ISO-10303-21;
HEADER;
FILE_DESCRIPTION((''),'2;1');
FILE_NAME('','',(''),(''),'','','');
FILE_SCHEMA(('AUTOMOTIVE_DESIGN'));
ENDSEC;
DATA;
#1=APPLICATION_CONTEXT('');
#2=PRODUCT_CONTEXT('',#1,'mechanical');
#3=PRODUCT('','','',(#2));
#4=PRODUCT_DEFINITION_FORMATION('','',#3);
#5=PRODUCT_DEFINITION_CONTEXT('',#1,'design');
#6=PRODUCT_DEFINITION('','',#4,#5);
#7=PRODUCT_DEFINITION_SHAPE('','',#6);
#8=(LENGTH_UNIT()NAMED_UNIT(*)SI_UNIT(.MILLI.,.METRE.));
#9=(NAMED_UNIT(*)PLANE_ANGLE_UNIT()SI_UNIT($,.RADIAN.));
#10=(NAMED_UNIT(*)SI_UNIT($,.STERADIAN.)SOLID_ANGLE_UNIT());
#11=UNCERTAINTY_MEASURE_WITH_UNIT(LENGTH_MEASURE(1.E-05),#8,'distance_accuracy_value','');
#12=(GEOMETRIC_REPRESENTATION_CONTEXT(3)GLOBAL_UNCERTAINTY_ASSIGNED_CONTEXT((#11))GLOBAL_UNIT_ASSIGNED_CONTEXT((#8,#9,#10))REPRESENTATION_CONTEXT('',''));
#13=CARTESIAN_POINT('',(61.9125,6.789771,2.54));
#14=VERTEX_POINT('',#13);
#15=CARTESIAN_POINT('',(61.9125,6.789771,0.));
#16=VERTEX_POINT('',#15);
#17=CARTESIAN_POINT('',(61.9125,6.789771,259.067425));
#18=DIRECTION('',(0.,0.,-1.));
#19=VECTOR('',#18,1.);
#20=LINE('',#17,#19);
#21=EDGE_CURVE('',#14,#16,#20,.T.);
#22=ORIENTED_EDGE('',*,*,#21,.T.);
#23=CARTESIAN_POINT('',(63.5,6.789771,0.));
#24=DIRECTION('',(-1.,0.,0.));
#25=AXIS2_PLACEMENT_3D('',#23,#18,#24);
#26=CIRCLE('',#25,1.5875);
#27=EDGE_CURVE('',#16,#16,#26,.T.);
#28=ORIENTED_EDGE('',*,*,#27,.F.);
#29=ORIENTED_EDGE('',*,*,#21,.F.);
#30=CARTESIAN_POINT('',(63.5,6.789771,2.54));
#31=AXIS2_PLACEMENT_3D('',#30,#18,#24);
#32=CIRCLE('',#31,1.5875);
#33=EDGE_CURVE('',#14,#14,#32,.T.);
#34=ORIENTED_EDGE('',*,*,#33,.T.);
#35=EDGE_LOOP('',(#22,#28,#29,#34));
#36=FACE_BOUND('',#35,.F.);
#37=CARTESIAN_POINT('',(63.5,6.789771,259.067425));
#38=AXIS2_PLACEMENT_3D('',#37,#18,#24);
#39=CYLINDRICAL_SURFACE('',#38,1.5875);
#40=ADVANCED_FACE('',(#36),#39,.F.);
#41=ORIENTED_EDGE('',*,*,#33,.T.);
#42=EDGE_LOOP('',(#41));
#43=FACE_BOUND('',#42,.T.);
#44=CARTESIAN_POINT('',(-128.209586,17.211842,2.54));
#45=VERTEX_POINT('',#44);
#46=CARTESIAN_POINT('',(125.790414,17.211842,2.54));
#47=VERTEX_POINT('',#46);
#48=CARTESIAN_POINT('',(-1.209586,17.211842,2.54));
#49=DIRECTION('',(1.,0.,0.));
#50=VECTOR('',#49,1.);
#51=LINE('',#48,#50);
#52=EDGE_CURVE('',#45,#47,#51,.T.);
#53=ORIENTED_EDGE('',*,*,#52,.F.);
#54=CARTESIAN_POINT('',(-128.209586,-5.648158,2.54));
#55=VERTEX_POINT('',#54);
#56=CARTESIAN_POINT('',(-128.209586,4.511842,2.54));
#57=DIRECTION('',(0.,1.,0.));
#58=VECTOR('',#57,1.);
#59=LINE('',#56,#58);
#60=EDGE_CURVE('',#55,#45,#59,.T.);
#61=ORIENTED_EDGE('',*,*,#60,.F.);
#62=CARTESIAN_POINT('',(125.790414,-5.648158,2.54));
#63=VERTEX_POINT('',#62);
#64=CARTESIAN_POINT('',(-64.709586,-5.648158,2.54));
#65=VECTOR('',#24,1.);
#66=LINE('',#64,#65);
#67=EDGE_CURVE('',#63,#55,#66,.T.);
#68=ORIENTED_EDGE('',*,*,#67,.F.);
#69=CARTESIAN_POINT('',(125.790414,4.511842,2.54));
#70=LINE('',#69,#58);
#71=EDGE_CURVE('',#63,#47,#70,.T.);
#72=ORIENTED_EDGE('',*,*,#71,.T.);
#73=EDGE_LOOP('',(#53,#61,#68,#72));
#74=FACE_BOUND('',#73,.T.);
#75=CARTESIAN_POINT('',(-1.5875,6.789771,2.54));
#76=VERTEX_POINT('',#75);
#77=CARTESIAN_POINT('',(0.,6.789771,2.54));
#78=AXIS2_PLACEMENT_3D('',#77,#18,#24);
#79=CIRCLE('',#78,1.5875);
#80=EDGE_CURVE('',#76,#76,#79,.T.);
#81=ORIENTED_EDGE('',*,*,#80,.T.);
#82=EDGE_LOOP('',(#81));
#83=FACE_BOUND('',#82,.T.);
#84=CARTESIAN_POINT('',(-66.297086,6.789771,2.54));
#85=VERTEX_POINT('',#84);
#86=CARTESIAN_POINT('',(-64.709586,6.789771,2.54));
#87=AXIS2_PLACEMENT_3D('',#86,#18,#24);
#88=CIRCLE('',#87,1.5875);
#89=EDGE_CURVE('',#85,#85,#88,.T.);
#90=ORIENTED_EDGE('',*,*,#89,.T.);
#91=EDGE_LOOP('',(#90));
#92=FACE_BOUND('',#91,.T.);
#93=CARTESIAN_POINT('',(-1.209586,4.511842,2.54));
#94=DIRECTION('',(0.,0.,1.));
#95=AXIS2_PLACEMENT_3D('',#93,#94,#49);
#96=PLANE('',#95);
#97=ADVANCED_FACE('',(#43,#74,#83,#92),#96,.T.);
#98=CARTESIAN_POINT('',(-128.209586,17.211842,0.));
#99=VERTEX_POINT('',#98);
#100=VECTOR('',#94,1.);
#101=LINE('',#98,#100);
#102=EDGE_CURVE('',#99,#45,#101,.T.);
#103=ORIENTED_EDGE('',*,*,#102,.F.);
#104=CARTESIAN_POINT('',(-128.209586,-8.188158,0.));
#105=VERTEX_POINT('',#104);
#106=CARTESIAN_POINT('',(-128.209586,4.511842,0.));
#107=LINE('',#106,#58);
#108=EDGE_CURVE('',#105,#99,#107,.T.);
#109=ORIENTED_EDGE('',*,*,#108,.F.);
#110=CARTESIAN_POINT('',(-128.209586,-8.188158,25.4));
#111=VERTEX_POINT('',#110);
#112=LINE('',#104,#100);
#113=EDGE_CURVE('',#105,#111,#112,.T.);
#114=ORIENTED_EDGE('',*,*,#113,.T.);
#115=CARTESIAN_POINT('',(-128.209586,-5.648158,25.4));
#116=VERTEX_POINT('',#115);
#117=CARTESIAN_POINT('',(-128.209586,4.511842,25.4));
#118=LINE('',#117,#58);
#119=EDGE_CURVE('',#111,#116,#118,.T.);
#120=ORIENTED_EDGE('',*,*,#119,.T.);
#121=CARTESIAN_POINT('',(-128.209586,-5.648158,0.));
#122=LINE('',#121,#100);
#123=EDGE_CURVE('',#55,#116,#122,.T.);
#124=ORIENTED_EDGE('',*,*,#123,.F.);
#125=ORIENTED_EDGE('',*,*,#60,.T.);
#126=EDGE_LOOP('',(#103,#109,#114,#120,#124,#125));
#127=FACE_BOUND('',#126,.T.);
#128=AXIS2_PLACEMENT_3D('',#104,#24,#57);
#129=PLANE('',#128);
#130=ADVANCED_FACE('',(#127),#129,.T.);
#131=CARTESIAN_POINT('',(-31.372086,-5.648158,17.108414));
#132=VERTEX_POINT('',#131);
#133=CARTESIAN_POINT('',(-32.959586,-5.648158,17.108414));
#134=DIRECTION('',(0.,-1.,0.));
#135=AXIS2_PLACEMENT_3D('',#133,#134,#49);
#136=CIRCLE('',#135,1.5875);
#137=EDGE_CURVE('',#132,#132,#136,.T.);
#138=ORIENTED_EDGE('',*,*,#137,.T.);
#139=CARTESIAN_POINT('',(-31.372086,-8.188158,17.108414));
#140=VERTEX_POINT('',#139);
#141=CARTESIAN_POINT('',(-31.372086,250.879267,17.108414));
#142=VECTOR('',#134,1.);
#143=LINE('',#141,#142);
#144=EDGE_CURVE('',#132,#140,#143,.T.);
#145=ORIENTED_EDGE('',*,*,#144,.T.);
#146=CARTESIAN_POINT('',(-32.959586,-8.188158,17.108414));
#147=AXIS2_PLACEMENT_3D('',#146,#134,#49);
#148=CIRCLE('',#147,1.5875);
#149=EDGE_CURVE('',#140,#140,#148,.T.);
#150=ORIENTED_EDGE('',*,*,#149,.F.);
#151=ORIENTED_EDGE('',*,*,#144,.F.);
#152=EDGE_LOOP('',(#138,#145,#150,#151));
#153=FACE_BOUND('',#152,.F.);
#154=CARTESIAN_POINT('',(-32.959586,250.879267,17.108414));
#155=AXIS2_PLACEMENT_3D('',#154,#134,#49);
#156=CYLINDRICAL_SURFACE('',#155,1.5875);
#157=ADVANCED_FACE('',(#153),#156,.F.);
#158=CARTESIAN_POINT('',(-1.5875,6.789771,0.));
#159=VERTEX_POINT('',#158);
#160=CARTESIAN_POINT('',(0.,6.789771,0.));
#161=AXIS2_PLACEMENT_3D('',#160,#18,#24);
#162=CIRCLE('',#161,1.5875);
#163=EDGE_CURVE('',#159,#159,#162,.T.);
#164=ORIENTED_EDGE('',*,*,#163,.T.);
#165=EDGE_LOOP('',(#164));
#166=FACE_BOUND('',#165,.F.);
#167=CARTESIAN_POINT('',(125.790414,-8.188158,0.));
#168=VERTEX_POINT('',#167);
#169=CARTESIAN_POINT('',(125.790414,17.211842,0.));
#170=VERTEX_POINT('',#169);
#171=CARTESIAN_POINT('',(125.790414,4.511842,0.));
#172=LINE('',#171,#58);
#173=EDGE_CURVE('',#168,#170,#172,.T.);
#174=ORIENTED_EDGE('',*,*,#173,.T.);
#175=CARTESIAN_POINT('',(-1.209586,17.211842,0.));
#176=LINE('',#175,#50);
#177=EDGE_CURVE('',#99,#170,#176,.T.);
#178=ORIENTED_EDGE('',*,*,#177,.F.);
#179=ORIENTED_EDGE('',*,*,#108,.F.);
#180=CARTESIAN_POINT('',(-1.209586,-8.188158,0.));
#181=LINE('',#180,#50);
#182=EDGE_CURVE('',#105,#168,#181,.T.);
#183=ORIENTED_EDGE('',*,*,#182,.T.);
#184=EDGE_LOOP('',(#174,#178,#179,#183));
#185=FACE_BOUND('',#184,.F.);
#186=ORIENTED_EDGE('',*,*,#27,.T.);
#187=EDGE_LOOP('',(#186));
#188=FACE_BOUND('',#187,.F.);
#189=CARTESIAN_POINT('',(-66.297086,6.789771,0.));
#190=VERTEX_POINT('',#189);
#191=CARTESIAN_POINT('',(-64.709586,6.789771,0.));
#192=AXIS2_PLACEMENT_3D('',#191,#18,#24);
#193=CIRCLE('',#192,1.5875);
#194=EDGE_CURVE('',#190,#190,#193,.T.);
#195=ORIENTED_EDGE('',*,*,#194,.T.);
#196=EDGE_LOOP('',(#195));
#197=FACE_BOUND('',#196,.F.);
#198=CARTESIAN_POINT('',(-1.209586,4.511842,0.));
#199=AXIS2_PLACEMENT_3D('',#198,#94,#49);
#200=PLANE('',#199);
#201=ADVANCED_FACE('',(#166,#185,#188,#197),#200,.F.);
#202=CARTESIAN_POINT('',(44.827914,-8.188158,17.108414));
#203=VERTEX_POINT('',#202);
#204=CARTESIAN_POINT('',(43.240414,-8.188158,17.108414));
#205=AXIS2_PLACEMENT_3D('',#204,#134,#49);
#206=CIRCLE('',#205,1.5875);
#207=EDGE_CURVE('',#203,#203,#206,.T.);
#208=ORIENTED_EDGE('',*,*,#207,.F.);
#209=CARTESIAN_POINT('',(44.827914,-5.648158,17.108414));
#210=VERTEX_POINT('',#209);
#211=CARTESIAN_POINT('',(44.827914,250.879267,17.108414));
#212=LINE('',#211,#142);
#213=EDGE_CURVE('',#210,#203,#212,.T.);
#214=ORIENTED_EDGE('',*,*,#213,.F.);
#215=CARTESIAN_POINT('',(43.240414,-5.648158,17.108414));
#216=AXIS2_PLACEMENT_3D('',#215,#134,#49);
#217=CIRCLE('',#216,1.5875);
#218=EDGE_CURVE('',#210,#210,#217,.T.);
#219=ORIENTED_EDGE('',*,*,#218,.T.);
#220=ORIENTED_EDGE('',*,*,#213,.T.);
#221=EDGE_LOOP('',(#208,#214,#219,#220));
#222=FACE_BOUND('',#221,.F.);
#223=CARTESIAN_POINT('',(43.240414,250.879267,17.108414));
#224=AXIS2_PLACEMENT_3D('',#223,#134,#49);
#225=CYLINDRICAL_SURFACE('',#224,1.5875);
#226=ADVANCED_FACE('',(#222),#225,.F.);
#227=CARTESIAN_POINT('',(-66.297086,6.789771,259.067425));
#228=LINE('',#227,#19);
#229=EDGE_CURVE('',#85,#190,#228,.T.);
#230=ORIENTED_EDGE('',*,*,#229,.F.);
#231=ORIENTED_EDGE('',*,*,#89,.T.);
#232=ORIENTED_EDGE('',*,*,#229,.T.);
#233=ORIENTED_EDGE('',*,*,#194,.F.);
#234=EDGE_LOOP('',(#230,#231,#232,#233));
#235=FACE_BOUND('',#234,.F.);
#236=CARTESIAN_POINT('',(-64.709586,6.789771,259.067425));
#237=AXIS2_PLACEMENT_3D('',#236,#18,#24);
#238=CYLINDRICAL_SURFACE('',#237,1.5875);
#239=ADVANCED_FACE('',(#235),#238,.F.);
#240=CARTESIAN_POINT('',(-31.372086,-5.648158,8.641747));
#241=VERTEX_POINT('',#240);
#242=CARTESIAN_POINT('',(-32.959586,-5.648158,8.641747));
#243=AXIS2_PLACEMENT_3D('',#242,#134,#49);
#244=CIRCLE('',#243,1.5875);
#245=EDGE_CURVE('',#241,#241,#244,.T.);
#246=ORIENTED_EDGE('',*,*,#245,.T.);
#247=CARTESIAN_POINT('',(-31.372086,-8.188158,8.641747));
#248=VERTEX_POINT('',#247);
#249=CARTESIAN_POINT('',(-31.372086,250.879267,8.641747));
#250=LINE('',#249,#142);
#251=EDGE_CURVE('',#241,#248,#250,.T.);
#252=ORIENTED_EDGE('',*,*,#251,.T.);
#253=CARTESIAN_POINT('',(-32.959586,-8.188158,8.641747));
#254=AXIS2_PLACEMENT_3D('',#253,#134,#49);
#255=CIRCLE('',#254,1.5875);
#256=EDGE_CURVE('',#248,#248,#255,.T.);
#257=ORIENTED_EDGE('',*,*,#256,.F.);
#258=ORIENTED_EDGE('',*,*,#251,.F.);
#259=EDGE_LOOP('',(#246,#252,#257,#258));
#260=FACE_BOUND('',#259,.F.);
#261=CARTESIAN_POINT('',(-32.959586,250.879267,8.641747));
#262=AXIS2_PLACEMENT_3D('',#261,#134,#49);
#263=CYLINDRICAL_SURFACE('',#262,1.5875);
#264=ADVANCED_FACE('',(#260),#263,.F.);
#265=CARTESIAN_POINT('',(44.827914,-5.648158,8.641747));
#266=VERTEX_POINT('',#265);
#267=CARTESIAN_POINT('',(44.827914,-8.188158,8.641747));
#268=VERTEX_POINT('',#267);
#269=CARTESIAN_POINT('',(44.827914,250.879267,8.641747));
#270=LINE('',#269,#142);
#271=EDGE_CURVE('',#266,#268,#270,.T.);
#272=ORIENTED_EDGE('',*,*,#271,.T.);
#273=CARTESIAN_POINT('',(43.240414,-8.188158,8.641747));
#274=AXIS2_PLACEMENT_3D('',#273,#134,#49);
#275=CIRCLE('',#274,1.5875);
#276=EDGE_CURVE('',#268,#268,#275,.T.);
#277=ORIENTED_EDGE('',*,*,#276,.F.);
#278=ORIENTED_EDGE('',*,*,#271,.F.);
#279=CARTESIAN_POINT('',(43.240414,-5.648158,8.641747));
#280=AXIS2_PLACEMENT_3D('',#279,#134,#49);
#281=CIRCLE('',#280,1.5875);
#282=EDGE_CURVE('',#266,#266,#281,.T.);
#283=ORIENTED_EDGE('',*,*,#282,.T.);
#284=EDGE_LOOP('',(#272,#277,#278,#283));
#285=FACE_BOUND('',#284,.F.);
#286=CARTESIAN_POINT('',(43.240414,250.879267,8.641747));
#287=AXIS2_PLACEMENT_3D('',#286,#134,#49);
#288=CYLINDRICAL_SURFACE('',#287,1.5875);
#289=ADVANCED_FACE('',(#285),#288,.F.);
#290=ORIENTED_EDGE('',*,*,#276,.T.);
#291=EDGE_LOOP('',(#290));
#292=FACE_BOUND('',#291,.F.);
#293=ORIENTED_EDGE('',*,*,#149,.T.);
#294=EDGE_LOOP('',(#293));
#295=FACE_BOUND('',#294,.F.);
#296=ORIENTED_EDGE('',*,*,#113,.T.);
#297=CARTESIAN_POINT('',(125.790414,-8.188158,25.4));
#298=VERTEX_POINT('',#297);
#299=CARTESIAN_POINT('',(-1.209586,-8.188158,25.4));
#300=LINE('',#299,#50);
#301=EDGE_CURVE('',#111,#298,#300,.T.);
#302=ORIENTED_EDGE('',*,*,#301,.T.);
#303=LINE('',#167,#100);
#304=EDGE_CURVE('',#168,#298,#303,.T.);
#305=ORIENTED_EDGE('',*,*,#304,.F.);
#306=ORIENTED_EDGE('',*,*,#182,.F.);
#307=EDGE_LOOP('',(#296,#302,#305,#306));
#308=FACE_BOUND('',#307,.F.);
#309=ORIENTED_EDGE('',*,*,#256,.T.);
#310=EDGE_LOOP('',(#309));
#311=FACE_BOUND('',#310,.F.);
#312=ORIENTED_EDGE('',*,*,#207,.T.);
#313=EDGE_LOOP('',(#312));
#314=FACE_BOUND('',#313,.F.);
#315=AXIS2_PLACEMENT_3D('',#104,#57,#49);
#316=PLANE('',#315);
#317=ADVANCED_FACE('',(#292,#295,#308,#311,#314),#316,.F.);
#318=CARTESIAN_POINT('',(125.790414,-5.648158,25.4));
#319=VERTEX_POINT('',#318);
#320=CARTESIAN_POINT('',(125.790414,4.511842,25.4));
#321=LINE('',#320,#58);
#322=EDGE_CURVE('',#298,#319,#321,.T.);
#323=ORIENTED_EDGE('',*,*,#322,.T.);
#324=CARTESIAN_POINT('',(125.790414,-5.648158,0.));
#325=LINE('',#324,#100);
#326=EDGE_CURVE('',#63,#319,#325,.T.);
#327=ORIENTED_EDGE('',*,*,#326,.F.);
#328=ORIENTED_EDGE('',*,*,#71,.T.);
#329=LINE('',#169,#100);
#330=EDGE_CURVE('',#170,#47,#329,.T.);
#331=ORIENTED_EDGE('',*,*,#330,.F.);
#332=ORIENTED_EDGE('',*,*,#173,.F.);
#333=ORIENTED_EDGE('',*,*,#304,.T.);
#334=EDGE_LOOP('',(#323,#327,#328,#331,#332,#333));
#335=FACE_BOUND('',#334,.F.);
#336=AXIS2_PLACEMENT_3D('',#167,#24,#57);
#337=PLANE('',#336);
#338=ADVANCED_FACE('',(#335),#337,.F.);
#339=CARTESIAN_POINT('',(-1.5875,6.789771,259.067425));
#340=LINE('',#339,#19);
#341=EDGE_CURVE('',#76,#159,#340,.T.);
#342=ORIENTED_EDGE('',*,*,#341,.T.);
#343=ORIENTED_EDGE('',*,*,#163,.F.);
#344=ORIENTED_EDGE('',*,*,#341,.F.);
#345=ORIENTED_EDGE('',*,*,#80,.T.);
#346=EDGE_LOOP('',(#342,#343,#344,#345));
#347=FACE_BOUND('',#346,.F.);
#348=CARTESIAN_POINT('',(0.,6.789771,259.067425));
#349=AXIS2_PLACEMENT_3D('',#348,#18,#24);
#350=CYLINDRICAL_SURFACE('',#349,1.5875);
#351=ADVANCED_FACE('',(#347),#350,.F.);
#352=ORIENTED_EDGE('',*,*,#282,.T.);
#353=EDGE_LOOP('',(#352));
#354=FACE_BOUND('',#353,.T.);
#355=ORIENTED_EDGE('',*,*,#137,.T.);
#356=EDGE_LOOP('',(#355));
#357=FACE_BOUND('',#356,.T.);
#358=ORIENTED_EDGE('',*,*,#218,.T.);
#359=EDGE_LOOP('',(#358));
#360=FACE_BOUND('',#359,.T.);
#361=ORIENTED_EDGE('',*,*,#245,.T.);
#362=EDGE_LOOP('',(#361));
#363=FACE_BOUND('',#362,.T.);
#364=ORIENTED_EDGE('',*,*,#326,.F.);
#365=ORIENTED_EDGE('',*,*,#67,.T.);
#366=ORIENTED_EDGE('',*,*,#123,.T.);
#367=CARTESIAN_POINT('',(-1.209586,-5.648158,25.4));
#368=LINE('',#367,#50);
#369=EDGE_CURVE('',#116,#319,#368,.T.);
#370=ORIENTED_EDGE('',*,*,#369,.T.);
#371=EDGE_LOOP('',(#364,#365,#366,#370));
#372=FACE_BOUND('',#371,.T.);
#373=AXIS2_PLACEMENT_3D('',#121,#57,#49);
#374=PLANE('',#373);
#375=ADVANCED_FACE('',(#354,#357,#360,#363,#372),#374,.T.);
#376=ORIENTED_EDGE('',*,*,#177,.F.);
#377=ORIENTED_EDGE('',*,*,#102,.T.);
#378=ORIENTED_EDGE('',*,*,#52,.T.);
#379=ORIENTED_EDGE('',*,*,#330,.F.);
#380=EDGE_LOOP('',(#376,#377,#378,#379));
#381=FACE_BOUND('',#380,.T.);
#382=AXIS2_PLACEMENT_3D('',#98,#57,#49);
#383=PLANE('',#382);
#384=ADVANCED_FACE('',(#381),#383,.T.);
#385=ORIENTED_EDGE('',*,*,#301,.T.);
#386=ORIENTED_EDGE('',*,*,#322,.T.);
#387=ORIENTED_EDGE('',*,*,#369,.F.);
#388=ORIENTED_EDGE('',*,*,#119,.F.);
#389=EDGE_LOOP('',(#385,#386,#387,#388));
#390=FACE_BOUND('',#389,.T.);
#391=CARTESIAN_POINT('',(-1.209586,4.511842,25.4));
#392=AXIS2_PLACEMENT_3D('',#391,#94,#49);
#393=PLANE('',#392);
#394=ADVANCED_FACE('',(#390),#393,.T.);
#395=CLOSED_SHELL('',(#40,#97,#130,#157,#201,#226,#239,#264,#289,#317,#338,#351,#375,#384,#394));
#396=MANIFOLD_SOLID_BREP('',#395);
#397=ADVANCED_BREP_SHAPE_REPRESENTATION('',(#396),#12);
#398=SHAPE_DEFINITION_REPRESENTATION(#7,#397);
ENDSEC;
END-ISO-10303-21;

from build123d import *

# Parameters (mm, degrees)
F0_W     = 254
F0_H     = 25.4
F1_DEPTH = 25.4
F2_T     = -2.54
F4_D     = 3.175
F6_D     = 3.175


with BuildPart() as f1:
    # F0 (on Top) → F1 (new body)
    with BuildSketch(Plane.XY):
        with Locations((-1.209586, 4.511842)):
            Rectangle(F0_W, F0_H)
    extrude(amount=F1_DEPTH)

    # F2
    f2_openings = [f1.faces().sort_by_distance(p)[0] for p in [
        (-1.209586, 4.511842, 25.4),
        (-1.209586, 17.211842, 12.7),
        (125.790414, 4.511842, 12.7),
        (-128.209586, 4.511842, 12.7),
    ]]
    offset(amount=F2_T, openings=f2_openings)

    # F4 (through all)
    with Locations(Plane.XY.offset(2.54)):
        with Locations((63.5, 6.789771), (0, 6.789771), (-64.709586, 6.789771)):
            Hole(F4_D / 2)

    # F6 (through all)
    with Locations(Plane(origin=(0, -5.648158, 0), x_dir=(-1, 0, 0), z_dir=(0, 1, 0))):
        with Locations((-43.240414, 8.641747), (-43.240414, 17.108414), (32.959586, 17.108414), (32.959586, 8.641747)):
            Hole(F6_D / 2)


solid = f1.part
